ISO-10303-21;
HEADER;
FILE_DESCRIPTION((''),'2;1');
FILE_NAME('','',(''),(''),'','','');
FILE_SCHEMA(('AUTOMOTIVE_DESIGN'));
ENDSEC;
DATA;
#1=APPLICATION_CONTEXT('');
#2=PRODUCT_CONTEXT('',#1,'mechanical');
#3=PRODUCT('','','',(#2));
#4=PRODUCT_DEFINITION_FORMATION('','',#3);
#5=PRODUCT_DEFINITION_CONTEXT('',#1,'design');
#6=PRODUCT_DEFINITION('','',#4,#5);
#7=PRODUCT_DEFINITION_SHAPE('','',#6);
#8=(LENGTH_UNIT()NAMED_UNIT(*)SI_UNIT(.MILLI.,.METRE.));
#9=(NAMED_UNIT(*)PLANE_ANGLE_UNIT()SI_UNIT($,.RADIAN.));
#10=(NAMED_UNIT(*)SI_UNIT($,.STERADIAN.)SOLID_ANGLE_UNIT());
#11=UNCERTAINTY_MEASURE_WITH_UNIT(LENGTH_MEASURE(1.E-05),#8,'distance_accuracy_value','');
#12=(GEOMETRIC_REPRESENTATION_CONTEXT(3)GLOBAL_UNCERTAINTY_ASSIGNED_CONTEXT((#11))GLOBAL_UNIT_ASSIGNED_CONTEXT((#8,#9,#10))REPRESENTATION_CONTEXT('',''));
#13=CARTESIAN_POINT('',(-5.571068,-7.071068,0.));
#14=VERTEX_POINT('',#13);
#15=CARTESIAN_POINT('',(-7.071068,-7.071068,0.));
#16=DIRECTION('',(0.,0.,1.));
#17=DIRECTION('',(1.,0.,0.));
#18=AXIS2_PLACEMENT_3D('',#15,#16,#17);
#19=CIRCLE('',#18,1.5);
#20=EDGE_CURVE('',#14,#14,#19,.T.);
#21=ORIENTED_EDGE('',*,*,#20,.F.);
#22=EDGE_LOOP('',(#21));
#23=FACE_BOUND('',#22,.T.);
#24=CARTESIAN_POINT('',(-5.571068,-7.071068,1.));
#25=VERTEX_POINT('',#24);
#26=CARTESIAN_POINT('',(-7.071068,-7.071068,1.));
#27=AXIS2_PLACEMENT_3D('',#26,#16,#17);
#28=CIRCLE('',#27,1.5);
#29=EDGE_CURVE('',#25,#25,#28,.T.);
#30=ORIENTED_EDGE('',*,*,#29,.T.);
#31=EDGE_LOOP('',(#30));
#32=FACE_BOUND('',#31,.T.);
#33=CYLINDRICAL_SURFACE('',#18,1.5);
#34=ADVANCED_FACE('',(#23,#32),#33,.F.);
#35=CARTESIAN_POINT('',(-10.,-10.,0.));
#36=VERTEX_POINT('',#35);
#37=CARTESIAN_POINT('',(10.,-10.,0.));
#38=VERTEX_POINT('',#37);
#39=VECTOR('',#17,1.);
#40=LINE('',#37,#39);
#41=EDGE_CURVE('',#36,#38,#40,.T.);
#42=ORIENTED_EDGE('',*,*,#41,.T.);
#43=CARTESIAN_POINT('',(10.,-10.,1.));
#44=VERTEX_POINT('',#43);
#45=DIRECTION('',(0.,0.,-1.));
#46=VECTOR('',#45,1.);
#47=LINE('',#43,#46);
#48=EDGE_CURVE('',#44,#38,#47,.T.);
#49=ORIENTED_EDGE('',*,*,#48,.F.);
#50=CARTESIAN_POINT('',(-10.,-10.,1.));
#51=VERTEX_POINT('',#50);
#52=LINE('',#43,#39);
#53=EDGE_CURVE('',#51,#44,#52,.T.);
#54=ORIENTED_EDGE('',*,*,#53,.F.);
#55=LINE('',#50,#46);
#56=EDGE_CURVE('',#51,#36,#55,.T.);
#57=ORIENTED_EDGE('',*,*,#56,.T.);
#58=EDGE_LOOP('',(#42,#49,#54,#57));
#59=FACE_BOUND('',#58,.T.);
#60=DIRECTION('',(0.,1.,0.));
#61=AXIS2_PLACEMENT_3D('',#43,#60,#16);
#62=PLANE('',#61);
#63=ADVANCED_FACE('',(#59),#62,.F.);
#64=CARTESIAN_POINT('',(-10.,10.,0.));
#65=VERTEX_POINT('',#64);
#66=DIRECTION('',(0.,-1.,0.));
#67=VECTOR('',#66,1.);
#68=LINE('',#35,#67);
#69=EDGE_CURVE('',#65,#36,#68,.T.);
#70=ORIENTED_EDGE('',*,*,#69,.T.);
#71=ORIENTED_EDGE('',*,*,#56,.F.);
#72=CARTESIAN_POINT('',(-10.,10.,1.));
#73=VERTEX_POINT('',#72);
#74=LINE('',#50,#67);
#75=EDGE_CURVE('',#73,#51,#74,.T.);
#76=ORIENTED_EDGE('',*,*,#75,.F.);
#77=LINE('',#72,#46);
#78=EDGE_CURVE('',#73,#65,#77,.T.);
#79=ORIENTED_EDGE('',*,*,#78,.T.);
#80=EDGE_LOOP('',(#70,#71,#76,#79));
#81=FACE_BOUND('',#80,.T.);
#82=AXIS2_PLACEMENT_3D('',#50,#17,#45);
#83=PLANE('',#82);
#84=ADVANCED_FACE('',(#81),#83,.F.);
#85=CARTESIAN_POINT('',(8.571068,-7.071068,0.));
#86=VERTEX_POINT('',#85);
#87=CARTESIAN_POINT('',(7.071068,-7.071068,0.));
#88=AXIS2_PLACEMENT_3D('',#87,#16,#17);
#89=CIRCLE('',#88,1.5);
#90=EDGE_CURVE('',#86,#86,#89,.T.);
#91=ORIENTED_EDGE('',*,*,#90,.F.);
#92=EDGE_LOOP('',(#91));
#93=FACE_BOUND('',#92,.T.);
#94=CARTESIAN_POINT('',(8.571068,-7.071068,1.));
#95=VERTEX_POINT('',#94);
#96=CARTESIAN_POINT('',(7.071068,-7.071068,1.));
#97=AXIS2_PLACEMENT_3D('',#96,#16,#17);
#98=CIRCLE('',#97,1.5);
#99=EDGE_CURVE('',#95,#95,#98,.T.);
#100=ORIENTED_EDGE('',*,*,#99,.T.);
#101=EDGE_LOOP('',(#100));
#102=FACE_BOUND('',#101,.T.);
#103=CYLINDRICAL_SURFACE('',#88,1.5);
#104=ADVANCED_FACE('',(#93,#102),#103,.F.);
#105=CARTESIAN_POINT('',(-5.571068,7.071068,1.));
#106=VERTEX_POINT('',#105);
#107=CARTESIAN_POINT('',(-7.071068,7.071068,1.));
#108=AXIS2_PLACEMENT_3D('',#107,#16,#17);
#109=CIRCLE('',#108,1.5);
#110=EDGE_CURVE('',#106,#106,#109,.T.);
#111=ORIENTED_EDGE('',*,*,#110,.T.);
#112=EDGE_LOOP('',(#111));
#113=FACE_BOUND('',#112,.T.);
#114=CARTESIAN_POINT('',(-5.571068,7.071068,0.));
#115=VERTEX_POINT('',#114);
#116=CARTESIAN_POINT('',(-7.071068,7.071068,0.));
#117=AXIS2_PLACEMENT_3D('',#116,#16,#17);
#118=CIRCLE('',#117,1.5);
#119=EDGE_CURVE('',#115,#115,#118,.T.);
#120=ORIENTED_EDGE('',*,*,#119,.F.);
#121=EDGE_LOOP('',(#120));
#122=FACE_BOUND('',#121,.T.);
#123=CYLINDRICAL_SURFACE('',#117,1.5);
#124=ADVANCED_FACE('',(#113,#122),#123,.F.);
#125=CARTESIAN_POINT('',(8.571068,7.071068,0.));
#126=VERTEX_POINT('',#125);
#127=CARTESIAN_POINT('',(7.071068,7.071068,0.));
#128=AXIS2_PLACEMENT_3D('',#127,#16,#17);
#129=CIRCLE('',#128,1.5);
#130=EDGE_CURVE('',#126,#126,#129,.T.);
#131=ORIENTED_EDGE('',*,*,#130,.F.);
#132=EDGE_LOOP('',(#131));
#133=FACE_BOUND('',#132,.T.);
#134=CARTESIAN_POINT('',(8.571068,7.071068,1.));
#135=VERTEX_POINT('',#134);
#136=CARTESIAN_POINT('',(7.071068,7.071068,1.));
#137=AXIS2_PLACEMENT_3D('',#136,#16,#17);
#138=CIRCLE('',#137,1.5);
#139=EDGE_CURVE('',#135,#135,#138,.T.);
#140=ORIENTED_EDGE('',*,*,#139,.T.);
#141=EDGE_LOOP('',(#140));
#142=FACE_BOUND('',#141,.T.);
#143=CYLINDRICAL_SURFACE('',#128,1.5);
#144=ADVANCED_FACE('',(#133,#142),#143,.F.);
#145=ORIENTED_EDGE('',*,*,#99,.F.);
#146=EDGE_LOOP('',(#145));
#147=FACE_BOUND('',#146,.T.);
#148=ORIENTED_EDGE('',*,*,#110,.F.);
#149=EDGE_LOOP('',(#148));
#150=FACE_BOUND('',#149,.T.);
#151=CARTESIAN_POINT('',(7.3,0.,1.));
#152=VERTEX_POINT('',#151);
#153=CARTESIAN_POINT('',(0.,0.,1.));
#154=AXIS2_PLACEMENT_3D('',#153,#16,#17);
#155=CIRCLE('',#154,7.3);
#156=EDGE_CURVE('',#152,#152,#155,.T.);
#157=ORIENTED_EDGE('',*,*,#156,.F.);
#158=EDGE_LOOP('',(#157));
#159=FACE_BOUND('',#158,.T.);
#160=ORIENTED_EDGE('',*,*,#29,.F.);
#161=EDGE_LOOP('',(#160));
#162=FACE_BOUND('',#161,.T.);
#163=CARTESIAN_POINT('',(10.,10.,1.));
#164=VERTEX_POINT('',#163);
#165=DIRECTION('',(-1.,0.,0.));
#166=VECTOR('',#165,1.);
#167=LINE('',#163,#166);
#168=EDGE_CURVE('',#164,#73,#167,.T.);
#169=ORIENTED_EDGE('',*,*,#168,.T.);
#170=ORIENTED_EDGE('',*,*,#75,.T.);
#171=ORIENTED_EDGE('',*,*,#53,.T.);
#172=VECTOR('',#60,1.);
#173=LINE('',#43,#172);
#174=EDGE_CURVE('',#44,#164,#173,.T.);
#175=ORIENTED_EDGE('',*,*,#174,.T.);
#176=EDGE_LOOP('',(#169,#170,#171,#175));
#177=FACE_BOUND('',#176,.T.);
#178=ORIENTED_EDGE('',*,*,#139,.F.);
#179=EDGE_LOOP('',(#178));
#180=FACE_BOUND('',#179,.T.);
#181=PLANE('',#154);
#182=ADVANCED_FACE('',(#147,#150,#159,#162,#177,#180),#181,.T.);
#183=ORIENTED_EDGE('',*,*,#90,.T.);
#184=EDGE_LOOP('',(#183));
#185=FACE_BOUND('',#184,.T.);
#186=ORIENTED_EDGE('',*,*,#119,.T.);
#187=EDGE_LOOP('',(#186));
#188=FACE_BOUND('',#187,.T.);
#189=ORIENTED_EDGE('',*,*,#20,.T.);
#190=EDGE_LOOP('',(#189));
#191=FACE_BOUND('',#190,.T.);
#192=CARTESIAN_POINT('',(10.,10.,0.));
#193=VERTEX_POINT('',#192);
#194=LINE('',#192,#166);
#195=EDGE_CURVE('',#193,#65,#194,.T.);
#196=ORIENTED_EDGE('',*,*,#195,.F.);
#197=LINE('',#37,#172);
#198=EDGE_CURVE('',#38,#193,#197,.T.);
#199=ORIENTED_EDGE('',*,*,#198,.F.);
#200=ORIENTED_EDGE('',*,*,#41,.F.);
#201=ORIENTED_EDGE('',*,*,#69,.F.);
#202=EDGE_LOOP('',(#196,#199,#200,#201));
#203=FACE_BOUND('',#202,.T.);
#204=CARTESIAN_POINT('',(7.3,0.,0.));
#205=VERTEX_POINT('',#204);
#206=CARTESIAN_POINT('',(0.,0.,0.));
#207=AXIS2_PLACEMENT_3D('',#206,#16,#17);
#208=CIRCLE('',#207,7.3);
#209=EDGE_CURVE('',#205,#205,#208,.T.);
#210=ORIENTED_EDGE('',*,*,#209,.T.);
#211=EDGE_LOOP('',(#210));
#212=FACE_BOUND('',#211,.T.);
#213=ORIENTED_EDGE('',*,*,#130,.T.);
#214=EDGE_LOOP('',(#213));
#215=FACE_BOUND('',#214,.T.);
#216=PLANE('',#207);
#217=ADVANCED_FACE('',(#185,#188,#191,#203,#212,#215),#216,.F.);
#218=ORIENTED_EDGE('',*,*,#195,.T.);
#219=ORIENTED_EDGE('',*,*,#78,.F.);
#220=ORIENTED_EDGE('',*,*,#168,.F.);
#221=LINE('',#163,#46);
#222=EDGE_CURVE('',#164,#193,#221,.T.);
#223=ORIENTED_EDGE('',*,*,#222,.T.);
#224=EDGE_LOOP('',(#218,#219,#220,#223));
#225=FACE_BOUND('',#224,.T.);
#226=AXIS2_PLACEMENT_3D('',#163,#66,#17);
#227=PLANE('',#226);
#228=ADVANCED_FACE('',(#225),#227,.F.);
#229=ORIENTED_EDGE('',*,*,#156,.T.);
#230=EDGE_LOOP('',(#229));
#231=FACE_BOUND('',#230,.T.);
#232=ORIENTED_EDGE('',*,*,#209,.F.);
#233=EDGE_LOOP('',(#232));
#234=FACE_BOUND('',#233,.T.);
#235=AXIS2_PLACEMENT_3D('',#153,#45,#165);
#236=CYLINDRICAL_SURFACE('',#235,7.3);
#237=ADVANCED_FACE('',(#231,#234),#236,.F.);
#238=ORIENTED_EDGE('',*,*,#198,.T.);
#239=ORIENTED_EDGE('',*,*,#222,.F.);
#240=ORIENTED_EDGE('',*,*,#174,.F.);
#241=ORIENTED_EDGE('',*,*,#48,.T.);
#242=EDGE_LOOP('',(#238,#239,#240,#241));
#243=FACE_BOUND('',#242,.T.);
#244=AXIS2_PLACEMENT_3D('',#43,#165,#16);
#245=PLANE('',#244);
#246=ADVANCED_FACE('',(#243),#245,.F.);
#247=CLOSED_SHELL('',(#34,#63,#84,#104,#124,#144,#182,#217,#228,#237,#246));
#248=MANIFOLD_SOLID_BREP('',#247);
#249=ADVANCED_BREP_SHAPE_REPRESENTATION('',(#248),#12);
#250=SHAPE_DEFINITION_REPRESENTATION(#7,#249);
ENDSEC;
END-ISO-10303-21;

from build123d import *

# Parameters (mm, degrees)
SKETCH1_W           = 20
SKETCH1_H           = 20
SKETCH1_R           = 7.3
BOSS_EXTRUDE1_DEPTH = 1
SKETCH2_R           = 1.5
CUT_EXTRUDE1_DEPTH  = 1


with BuildPart() as part:
    # Sketch1 → Boss-Extrude1 (new body)
    with BuildSketch(Plane.XY):
        Rectangle(SKETCH1_W, SKETCH1_H)
        Circle(SKETCH1_R, mode=Mode.SUBTRACT)
    extrude(amount=BOSS_EXTRUDE1_DEPTH)

    # Sketch2 → Cut-Extrude1 (cut)
    with BuildSketch(Plane.XY.offset(1)):
        with Locations((-7.071067812, 7.071067812)):
            Circle(SKETCH2_R)
        with Locations((7.071067812, 7.071067812)):
            Circle(SKETCH2_R)
        with Locations((7.071067812, -7.071067812)):
            Circle(SKETCH2_R)
        with Locations((-7.071067812, -7.071067812)):
            Circle(SKETCH2_R)
    extrude(amount=-CUT_EXTRUDE1_DEPTH, mode=Mode.SUBTRACT)


solid = part.part
